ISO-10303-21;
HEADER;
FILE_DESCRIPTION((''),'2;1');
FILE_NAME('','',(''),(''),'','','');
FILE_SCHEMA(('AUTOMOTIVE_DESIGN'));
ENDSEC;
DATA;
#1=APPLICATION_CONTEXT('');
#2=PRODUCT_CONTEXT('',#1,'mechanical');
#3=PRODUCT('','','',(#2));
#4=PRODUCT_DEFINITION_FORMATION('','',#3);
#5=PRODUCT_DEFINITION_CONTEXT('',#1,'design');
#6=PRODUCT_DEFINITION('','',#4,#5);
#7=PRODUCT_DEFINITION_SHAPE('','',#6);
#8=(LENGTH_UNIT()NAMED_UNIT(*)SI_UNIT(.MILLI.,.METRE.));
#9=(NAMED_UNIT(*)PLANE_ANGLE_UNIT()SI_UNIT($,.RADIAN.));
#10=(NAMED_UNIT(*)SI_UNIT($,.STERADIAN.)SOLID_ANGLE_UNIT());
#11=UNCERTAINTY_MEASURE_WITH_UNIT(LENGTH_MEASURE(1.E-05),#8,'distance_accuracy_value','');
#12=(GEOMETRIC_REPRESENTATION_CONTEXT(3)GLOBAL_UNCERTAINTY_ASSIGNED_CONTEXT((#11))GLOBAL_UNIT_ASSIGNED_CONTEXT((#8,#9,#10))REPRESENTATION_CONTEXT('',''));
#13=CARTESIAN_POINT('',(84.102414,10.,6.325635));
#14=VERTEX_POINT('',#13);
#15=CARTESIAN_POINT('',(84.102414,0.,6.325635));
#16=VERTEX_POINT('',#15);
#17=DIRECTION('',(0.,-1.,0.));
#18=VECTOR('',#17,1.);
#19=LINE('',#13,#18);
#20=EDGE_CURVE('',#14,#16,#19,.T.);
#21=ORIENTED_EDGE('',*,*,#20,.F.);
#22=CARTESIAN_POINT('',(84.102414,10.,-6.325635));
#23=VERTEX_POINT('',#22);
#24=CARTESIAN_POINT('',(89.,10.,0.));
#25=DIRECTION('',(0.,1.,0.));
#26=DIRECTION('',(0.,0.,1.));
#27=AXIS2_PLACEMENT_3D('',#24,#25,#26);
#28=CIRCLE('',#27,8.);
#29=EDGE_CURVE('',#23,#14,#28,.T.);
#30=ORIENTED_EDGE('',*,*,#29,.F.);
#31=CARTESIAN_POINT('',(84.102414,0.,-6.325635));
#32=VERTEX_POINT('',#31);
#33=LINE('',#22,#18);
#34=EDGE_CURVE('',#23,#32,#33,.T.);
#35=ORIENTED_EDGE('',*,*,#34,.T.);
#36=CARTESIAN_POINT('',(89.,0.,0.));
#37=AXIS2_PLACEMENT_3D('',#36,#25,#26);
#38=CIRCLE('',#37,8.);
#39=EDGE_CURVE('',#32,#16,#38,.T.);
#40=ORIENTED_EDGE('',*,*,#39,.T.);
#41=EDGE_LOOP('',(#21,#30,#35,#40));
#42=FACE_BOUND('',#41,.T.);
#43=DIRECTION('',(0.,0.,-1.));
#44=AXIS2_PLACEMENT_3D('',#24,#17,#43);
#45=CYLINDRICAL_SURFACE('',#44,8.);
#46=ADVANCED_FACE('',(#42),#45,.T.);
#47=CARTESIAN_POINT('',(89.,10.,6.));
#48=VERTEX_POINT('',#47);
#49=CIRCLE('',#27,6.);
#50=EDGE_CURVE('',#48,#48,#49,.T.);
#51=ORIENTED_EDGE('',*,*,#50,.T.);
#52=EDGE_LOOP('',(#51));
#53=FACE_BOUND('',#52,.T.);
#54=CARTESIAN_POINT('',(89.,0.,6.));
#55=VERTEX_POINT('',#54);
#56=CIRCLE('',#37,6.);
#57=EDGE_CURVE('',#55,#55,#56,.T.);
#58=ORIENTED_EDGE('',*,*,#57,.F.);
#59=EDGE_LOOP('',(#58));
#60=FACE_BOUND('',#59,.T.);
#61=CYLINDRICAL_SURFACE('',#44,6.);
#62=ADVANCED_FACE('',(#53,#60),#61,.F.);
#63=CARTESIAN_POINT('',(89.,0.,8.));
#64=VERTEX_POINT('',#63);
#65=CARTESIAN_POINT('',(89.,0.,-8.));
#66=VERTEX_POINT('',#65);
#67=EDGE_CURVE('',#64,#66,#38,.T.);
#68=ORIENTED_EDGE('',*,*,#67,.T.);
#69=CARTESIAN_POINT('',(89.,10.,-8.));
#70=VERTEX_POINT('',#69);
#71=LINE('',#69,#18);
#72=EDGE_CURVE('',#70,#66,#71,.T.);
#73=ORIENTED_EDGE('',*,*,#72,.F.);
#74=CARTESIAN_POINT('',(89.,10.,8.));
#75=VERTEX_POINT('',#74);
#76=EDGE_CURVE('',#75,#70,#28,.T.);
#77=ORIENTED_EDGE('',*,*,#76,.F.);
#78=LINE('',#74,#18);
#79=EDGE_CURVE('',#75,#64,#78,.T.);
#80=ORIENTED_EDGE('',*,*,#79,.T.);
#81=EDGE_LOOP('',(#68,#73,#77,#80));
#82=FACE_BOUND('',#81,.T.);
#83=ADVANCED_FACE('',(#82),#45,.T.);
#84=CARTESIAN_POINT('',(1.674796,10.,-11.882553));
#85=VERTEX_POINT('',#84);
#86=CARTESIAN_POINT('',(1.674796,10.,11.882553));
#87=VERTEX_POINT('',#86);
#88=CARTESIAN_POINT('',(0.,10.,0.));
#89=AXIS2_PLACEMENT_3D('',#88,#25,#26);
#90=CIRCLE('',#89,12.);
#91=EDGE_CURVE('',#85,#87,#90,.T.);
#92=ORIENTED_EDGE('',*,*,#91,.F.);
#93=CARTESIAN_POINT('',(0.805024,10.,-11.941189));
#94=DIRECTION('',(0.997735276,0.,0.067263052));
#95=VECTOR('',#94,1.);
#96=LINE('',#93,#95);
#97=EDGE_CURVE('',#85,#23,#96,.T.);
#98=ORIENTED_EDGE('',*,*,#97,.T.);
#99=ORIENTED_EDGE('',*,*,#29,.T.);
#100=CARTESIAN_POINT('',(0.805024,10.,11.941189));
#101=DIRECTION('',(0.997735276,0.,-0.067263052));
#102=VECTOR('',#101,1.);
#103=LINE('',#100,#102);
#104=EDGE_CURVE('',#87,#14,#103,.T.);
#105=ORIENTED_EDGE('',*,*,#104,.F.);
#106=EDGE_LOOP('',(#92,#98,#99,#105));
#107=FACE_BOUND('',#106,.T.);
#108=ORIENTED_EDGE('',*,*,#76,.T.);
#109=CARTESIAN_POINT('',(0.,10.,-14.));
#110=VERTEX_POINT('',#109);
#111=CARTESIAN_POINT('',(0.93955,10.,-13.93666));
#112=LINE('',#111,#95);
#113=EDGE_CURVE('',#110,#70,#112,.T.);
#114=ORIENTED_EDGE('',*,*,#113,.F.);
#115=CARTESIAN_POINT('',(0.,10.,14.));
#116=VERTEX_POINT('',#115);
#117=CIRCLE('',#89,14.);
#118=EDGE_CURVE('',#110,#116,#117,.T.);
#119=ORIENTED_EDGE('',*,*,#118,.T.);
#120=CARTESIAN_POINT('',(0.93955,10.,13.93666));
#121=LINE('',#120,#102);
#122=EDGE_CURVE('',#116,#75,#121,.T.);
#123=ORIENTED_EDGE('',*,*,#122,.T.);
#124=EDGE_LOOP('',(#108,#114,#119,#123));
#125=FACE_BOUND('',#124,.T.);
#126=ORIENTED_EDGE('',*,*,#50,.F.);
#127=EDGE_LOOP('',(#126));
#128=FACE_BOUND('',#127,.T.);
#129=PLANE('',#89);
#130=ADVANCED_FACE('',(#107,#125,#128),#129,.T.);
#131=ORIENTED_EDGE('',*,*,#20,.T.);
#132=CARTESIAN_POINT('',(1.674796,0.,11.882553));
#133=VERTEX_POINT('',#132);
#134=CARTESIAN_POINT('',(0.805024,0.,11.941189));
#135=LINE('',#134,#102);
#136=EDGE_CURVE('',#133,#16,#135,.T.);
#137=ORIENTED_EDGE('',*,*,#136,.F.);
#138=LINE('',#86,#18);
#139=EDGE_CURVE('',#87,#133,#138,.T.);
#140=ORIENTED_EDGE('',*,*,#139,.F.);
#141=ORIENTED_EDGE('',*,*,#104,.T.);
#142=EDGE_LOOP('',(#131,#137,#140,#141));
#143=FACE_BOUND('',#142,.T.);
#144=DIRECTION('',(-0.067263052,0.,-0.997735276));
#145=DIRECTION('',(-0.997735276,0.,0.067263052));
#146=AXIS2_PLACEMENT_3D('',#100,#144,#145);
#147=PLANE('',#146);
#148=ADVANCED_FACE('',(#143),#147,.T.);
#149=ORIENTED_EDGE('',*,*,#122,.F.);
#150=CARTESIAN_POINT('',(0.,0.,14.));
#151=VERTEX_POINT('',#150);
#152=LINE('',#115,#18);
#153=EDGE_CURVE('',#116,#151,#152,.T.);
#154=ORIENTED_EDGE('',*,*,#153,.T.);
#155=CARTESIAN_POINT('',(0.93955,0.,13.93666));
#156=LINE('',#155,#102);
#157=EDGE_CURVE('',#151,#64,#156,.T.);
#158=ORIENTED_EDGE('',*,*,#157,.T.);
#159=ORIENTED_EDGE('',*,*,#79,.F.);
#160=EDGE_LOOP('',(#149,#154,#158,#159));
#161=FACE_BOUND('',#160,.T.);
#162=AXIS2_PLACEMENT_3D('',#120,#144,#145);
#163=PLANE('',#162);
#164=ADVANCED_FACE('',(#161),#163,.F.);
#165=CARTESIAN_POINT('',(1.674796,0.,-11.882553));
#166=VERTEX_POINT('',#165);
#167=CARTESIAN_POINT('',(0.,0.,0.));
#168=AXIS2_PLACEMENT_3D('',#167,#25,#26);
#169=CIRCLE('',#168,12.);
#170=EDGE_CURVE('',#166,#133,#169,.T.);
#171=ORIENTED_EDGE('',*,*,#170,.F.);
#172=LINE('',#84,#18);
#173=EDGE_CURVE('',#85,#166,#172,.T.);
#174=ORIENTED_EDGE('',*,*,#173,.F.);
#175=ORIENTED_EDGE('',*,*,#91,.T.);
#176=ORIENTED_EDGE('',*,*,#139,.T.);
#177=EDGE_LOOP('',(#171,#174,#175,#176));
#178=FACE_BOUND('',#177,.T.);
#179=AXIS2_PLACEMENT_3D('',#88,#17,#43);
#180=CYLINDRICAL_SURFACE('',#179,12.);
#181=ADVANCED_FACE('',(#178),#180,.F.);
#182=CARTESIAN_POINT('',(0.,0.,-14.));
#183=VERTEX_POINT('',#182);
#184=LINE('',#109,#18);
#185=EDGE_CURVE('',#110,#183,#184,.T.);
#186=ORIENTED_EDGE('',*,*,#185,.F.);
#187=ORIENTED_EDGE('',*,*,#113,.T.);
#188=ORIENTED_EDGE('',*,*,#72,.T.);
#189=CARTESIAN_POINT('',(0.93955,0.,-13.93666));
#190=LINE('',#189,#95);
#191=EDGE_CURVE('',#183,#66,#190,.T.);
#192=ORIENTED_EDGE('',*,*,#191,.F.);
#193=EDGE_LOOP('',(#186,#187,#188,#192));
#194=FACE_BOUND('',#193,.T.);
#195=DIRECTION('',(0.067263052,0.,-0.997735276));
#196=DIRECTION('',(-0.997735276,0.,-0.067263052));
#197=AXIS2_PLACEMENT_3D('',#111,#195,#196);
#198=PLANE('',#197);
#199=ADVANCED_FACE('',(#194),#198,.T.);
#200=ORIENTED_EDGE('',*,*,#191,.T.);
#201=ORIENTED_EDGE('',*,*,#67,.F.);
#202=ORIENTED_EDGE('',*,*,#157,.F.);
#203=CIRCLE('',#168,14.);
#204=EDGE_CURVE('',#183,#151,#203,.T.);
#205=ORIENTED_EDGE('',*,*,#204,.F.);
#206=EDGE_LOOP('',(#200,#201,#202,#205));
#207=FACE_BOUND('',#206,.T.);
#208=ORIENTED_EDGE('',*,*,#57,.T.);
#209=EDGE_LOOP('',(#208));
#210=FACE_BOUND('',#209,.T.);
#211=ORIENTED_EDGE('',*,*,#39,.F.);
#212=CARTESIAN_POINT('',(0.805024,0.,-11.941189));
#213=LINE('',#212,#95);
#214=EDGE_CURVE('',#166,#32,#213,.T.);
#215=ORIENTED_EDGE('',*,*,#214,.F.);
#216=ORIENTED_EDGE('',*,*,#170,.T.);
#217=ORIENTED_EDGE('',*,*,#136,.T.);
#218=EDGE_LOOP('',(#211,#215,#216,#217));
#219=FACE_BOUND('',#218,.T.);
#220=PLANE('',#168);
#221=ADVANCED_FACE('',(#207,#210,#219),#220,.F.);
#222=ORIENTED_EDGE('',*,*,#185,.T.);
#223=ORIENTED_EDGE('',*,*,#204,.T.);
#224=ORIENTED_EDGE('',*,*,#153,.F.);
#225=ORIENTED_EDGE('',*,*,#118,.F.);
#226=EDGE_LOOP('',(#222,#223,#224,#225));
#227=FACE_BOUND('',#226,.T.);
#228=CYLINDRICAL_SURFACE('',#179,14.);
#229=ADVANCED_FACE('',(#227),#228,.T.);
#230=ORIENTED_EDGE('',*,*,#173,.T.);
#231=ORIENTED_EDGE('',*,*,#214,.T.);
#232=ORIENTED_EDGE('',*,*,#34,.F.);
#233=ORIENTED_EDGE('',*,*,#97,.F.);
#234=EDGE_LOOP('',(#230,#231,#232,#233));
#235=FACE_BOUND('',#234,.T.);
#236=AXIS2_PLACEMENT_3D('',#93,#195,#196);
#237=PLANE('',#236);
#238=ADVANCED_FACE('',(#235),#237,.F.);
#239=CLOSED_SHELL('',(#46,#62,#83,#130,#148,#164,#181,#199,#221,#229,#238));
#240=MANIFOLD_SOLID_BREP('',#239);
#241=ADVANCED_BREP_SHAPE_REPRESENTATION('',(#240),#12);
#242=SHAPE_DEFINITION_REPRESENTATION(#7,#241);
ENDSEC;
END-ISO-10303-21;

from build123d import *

# Parameters (mm, degrees)
SKETCH1_R           = 6
BOSS_EXTRUDE1_DEPTH = 10


with BuildPart() as part:
    # Sketch1 → Boss-Extrude1 (new body)
    with BuildSketch(Plane(origin=(0, 0, 0), x_dir=(1, 0, 0), z_dir=(0, 1, 0))):
        with BuildLine():
            ThreePointArc((0, 14), (-14, 0), (0, -14))
            Line((0, -14), (89, -8))
            ThreePointArc((89, -8), (97, 0), (89, 8))
            Line((89, 8), (0, 14))
        make_face()
        with BuildLine():
            ThreePointArc((1.674796148, -11.882552666), (0.807156628, -11.972823317), (-0.064748194, -11.999825318))
            ThreePointArc((-0.064748194, -11.999825318), (-12, 0), (-0.064748194, 11.999825318))
            ThreePointArc((-0.064748194, 11.999825318), (0.807156628, 11.972823317), (1.674796148, 11.882552666))
            Line((1.674796148, 11.882552666), (84.102414172, 6.325634597))
            ThreePointArc((84.102414172, 6.325634597), (81, 0), (84.102414172, -6.325634597))
            Line((84.102414172, -6.325634597), (1.674796148, -11.882552666))
        make_face(mode=Mode.SUBTRACT)
        with Locations((89, 0)):
            Circle(SKETCH1_R, mode=Mode.SUBTRACT)
    extrude(amount=BOSS_EXTRUDE1_DEPTH)


solid = part.part
